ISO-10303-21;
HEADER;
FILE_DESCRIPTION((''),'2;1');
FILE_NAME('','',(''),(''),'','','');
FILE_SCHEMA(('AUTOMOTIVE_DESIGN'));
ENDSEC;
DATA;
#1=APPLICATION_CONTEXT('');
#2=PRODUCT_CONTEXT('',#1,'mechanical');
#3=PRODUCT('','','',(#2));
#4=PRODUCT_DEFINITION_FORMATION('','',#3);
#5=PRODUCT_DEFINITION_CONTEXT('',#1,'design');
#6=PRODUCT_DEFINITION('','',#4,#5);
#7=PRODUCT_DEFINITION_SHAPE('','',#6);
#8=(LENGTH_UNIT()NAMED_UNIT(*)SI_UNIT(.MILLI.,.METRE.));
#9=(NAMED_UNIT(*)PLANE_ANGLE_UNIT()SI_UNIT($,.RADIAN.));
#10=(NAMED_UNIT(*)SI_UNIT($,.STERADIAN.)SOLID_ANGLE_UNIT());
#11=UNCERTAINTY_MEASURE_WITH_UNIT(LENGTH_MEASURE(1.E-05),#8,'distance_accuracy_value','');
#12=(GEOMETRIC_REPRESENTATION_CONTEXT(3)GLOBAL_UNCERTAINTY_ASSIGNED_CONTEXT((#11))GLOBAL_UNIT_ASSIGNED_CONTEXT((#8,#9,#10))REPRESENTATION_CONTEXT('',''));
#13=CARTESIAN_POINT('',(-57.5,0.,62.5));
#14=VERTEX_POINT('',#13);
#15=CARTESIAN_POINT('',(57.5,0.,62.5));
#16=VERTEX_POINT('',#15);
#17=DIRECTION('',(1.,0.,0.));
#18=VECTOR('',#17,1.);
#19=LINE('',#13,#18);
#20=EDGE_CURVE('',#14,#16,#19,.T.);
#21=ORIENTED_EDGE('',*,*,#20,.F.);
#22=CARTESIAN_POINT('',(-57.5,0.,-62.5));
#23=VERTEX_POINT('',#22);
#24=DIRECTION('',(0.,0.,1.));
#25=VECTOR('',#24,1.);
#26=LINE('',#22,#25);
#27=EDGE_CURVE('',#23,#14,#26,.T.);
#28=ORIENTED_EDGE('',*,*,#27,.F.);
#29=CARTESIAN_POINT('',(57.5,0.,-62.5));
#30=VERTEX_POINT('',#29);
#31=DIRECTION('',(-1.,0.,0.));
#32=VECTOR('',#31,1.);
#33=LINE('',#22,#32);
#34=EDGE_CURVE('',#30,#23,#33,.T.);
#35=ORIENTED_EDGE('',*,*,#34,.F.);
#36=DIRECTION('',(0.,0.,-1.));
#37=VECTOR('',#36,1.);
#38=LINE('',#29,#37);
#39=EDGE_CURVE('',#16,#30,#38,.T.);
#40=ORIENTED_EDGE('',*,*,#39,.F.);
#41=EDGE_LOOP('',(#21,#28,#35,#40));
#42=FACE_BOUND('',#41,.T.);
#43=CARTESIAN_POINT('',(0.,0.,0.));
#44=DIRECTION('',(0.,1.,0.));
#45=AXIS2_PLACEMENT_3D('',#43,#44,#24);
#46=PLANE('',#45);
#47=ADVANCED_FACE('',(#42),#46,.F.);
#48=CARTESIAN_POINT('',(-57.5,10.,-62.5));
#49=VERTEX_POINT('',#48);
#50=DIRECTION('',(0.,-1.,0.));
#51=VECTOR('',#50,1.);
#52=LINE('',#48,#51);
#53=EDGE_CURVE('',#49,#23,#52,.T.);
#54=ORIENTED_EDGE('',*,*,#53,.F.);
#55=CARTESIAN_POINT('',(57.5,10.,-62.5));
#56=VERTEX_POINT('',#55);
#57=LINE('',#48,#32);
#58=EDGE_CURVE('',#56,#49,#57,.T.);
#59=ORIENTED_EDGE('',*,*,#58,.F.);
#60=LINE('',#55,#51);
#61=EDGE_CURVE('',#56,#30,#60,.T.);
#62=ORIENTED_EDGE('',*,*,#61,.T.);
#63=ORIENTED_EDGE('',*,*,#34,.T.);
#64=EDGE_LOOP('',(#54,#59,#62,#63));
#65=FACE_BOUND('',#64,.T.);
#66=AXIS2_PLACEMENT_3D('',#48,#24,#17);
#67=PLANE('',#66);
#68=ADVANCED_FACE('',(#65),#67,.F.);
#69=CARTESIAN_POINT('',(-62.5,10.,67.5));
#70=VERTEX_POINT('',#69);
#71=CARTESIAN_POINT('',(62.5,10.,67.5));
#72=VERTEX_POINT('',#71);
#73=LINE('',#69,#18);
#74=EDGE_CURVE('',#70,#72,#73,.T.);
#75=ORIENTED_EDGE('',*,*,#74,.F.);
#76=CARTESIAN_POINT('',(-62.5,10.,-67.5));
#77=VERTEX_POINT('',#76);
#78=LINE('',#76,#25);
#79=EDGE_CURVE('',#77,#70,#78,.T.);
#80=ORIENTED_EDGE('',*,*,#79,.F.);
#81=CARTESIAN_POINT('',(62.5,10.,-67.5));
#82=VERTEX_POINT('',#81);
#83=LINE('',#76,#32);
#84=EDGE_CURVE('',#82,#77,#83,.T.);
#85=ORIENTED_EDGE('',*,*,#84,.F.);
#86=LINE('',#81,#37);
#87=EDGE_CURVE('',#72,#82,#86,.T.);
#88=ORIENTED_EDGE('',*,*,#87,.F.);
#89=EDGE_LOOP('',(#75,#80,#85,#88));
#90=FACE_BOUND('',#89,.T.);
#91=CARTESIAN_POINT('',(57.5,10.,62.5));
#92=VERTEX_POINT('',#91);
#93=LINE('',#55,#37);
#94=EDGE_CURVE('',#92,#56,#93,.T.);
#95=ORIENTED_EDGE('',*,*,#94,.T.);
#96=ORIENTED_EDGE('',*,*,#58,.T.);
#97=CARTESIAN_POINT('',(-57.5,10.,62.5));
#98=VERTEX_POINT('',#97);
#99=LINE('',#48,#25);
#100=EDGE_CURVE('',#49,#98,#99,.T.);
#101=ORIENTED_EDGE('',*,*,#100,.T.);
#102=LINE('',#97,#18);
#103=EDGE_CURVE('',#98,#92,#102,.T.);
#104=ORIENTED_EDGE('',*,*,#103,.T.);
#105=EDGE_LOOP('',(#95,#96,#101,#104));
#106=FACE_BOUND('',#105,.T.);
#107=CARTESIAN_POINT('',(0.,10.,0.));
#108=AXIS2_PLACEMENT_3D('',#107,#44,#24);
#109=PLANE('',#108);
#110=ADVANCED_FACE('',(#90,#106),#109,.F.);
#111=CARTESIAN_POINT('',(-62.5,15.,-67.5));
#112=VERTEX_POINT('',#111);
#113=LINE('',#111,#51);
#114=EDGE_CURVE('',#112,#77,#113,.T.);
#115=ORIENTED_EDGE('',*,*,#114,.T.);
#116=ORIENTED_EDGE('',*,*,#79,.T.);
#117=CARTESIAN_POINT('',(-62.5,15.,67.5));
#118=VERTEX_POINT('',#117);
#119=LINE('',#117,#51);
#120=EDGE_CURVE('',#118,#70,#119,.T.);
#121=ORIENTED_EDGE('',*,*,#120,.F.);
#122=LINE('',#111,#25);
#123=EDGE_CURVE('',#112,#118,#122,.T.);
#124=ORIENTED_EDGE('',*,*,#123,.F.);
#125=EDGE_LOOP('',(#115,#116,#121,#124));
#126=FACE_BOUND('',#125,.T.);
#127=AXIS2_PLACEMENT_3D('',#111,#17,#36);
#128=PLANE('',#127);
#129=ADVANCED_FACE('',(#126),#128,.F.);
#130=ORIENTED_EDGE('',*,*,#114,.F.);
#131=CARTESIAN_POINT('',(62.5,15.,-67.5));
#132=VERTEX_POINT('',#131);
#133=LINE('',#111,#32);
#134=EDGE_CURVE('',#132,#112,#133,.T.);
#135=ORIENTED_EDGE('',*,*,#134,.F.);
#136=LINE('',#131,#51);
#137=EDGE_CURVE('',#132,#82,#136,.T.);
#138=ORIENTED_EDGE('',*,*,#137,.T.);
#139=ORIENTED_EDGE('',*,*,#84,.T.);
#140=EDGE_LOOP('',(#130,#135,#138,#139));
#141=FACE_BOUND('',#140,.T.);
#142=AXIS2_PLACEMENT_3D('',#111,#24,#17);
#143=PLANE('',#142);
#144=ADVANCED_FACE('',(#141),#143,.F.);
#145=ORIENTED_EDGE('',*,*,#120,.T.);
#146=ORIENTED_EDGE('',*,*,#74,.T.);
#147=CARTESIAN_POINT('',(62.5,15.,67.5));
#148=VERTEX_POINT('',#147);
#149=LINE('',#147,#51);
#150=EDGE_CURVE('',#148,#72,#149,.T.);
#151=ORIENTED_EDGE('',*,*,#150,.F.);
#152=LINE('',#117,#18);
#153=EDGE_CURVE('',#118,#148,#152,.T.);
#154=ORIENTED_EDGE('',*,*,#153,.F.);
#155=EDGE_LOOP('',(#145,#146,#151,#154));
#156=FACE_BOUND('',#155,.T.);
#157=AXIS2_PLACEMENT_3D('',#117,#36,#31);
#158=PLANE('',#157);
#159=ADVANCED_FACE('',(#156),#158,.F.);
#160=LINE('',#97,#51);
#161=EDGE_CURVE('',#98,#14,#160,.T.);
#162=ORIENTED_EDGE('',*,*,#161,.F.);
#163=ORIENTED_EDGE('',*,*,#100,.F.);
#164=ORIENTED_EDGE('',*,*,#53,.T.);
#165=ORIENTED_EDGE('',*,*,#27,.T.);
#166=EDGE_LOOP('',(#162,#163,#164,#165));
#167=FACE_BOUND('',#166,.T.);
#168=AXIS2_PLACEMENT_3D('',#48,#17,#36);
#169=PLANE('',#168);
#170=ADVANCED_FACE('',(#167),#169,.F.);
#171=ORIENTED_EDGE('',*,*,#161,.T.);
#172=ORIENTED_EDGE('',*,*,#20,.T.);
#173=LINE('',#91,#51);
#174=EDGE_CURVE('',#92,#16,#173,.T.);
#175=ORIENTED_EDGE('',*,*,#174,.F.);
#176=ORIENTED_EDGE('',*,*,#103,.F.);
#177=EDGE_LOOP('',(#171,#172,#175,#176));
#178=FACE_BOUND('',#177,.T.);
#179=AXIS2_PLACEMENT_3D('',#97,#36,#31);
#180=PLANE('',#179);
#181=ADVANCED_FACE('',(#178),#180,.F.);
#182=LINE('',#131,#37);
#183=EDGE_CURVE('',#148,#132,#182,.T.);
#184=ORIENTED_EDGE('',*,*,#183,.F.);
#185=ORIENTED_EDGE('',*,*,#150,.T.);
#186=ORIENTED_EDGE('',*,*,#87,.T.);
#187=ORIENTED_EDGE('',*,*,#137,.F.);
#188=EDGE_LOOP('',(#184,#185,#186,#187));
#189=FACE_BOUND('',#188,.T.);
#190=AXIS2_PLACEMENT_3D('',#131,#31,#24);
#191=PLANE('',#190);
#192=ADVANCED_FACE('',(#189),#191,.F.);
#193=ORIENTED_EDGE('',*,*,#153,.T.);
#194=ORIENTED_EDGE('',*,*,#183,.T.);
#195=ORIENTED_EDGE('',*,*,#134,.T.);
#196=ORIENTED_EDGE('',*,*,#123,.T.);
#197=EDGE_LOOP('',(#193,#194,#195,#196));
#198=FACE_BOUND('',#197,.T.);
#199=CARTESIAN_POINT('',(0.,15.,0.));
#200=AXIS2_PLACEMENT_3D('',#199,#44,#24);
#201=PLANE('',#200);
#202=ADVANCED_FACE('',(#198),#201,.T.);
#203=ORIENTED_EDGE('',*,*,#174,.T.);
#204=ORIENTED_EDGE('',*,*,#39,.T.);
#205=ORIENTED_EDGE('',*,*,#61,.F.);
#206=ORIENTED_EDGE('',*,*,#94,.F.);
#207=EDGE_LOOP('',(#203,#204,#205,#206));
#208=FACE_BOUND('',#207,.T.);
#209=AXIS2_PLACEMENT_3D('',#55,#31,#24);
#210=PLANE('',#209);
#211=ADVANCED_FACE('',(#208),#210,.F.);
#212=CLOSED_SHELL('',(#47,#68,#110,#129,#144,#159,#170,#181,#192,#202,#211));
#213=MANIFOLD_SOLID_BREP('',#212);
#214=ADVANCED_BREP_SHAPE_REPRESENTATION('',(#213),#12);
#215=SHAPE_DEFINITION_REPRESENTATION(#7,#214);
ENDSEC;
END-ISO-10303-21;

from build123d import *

# Parameters (mm, degrees)
SKETCH1_W           = 115
SKETCH1_H           = 125
BOSS_EXTRUDE1_DEPTH = 10
SKETCH2_W           = 125
SKETCH2_H           = 135
BOSS_EXTRUDE2_DEPTH = 5


with BuildPart() as part:
    # Sketch1 → Boss-Extrude1 (new body)
    with BuildSketch(Plane(origin=(0, 0, 0), x_dir=(1, 0, 0), z_dir=(0, 1, 0))):
        Rectangle(SKETCH1_W, SKETCH1_H)
    extrude(amount=BOSS_EXTRUDE1_DEPTH)

    # Sketch2 → Boss-Extrude2 (add)
    with BuildSketch(Plane(origin=(0, 10, 0), x_dir=(1, 0, 0), z_dir=(0, 1, 0))):
        Rectangle(SKETCH2_W, SKETCH2_H)
    extrude(amount=BOSS_EXTRUDE2_DEPTH)


solid = part.part
